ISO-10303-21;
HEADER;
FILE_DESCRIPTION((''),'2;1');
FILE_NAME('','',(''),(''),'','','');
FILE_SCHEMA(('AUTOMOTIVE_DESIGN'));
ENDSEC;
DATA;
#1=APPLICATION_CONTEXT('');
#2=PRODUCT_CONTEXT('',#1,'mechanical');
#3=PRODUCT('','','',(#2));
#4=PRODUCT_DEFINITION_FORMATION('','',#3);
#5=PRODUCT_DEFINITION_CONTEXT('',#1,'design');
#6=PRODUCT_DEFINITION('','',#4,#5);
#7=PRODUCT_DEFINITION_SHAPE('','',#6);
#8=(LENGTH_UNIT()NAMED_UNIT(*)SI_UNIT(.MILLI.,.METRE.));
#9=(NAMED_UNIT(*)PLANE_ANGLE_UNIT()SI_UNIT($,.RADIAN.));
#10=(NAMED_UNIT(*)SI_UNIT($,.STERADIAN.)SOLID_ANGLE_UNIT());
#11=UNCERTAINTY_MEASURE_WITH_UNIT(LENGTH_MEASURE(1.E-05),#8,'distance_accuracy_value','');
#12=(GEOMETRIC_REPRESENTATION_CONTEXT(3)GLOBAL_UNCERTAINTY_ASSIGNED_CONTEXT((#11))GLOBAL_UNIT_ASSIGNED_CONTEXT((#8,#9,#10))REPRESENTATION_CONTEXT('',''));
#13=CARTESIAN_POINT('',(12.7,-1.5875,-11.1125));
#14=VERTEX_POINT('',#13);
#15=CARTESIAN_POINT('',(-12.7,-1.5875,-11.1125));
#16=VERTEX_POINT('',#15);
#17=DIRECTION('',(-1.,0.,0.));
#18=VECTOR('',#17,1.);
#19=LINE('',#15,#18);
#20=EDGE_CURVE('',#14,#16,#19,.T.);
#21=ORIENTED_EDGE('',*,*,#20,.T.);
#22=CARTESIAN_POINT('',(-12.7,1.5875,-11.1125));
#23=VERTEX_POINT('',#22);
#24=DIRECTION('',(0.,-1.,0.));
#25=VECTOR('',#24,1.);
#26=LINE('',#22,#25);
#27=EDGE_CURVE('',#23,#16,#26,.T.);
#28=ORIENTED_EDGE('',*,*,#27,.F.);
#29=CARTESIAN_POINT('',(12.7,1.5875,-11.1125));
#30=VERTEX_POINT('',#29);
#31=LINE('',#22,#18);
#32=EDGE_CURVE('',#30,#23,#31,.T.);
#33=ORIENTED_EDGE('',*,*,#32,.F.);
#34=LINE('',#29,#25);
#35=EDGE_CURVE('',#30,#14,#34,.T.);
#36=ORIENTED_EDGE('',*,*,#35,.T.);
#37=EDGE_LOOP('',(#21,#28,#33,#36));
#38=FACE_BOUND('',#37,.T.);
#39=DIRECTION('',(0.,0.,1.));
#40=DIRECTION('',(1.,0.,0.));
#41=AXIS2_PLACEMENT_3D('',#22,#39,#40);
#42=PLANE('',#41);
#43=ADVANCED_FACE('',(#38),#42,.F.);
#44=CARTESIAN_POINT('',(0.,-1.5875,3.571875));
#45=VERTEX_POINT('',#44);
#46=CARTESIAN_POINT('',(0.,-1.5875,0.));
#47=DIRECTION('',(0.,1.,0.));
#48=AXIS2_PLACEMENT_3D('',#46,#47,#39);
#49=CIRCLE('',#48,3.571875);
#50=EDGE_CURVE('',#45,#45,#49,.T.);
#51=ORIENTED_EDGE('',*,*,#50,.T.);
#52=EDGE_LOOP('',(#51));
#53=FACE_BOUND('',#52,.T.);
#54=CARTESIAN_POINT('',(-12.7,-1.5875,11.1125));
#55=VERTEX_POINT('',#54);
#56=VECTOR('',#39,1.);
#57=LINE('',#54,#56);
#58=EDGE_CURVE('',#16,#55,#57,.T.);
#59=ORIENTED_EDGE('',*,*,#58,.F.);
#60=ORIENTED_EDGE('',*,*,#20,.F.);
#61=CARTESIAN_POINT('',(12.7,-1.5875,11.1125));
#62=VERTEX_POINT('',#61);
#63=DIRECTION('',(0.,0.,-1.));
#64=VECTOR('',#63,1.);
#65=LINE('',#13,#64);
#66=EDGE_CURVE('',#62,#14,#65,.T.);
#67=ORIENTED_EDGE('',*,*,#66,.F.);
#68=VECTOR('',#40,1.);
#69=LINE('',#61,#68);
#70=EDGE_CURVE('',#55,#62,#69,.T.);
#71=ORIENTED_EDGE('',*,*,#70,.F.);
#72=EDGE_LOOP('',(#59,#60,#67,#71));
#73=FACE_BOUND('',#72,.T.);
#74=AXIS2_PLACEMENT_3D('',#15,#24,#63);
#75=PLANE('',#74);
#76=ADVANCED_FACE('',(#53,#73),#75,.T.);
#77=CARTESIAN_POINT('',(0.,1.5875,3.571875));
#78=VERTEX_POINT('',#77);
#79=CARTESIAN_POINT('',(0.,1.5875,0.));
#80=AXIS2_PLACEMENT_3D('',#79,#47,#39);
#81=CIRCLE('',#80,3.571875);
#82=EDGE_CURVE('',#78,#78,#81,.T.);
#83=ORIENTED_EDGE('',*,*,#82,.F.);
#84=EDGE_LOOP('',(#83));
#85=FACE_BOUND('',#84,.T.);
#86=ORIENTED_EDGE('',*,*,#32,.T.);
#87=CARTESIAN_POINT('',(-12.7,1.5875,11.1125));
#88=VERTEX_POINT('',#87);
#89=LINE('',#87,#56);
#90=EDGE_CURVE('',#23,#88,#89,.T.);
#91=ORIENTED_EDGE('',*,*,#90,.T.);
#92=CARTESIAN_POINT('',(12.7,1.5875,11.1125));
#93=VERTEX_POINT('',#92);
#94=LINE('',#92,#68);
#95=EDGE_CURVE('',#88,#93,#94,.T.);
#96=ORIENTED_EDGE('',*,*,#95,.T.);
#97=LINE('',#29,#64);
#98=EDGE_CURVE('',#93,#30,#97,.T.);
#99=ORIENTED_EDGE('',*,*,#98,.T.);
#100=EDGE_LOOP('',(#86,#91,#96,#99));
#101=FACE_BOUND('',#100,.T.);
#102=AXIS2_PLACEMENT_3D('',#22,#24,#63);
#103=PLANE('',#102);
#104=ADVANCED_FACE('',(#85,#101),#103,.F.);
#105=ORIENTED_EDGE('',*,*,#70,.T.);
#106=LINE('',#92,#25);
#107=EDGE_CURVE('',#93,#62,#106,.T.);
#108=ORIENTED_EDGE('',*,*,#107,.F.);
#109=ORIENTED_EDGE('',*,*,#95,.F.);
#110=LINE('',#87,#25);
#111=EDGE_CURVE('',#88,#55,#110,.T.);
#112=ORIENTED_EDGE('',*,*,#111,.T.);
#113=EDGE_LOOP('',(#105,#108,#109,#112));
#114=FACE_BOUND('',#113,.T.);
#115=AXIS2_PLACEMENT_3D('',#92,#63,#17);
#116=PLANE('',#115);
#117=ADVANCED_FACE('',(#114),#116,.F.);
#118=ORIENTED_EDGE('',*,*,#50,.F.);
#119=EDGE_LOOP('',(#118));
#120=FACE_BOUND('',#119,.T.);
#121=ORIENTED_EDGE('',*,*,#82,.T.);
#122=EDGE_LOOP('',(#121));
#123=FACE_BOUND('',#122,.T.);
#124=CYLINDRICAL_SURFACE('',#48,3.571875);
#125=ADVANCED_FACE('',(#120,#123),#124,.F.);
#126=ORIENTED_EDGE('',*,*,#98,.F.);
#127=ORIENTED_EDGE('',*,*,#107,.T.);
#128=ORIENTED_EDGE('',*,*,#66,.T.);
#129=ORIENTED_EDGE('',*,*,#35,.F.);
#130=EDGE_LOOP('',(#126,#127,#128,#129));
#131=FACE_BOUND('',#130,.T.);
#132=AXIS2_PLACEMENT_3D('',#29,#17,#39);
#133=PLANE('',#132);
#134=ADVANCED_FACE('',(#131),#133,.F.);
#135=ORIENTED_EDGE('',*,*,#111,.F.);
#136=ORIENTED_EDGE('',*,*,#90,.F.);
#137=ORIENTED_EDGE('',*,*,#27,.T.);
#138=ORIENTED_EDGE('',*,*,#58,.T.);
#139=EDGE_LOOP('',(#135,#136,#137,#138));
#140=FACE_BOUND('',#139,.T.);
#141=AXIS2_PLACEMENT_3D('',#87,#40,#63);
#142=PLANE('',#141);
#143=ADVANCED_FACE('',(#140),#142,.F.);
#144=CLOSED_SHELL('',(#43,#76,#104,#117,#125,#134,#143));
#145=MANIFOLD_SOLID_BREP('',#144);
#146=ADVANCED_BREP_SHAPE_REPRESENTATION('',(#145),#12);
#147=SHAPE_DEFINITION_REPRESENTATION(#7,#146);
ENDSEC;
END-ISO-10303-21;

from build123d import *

# Parameters (mm, degrees)
SKETCH1_W          = 25.4
SKETCH1_H          = 22.225
EXTRUDE1_DEPTH     = 1.5875
SKETCH2_R          = 3.571875
CUT_EXTRUDE1_DEPTH = 4.175


with BuildPart() as part:
    # Sketch1 → Extrude1 (new body, symmetric)
    with BuildSketch(Plane(origin=(0, 0, 0), x_dir=(1, 0, 0), z_dir=(0, 1, 0))):
        Rectangle(SKETCH1_W, SKETCH1_H)
    extrude(amount=EXTRUDE1_DEPTH, both=True)

    # Sketch2 → Cut-Extrude1 (cut, through all)
    with BuildSketch(Plane(origin=(0, 1.5875, 0), x_dir=(1, 0, 0), z_dir=(0, 1, 0))):
        Circle(SKETCH2_R)
    extrude(amount=-CUT_EXTRUDE1_DEPTH, mode=Mode.SUBTRACT)


solid = part.part
